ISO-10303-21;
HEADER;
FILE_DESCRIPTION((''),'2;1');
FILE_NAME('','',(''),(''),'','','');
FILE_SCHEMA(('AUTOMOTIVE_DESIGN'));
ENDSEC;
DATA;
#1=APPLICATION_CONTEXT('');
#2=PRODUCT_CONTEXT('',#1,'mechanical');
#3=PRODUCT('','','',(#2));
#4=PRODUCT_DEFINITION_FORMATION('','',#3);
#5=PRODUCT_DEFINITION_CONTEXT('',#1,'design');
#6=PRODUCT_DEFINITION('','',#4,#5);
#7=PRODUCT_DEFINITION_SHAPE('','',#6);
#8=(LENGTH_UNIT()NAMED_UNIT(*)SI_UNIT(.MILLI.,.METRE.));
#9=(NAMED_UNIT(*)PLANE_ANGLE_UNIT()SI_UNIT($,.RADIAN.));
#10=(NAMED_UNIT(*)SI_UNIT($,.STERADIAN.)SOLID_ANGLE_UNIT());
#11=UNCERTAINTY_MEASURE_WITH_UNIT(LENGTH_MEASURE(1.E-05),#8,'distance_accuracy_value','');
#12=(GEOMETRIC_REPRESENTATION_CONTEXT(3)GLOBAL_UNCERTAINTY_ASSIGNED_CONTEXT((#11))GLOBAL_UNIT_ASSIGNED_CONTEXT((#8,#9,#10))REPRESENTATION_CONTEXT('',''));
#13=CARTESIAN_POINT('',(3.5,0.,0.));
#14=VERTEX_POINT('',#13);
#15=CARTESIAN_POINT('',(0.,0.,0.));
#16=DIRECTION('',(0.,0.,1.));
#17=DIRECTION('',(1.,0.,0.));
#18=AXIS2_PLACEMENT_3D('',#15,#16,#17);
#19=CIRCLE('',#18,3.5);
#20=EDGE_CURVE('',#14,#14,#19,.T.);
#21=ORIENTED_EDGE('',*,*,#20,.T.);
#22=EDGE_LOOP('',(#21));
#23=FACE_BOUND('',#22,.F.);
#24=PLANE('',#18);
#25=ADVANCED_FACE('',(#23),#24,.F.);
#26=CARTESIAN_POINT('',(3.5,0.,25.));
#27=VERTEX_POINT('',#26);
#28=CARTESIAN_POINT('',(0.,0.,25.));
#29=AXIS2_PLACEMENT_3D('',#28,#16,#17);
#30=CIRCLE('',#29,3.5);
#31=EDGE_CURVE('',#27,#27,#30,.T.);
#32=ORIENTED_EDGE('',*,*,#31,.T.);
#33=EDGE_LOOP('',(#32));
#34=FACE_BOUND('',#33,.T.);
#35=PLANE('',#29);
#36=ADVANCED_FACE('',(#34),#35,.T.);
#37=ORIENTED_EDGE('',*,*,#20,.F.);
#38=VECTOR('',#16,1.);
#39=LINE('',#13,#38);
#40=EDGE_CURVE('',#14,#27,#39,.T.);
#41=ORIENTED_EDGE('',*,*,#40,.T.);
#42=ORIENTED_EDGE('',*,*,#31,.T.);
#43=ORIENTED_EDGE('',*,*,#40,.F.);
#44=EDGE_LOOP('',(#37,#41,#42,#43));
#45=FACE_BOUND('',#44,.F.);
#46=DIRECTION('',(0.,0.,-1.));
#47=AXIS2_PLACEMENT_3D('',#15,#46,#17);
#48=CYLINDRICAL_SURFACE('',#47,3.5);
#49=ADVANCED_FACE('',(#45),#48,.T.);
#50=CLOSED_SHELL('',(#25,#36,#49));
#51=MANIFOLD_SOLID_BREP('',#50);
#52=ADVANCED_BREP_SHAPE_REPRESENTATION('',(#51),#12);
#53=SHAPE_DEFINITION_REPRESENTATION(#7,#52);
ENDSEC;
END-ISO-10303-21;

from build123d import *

# Parameters (mm, degrees)
SKETCH1_R           = 3.5
BOSS_EXTRUDE1_DEPTH = 25


with BuildPart() as part:
    # Sketch1 → Boss-Extrude1 (new body)
    with BuildSketch(Plane.XY):
        Circle(SKETCH1_R)
    extrude(amount=BOSS_EXTRUDE1_DEPTH)


solid = part.part
